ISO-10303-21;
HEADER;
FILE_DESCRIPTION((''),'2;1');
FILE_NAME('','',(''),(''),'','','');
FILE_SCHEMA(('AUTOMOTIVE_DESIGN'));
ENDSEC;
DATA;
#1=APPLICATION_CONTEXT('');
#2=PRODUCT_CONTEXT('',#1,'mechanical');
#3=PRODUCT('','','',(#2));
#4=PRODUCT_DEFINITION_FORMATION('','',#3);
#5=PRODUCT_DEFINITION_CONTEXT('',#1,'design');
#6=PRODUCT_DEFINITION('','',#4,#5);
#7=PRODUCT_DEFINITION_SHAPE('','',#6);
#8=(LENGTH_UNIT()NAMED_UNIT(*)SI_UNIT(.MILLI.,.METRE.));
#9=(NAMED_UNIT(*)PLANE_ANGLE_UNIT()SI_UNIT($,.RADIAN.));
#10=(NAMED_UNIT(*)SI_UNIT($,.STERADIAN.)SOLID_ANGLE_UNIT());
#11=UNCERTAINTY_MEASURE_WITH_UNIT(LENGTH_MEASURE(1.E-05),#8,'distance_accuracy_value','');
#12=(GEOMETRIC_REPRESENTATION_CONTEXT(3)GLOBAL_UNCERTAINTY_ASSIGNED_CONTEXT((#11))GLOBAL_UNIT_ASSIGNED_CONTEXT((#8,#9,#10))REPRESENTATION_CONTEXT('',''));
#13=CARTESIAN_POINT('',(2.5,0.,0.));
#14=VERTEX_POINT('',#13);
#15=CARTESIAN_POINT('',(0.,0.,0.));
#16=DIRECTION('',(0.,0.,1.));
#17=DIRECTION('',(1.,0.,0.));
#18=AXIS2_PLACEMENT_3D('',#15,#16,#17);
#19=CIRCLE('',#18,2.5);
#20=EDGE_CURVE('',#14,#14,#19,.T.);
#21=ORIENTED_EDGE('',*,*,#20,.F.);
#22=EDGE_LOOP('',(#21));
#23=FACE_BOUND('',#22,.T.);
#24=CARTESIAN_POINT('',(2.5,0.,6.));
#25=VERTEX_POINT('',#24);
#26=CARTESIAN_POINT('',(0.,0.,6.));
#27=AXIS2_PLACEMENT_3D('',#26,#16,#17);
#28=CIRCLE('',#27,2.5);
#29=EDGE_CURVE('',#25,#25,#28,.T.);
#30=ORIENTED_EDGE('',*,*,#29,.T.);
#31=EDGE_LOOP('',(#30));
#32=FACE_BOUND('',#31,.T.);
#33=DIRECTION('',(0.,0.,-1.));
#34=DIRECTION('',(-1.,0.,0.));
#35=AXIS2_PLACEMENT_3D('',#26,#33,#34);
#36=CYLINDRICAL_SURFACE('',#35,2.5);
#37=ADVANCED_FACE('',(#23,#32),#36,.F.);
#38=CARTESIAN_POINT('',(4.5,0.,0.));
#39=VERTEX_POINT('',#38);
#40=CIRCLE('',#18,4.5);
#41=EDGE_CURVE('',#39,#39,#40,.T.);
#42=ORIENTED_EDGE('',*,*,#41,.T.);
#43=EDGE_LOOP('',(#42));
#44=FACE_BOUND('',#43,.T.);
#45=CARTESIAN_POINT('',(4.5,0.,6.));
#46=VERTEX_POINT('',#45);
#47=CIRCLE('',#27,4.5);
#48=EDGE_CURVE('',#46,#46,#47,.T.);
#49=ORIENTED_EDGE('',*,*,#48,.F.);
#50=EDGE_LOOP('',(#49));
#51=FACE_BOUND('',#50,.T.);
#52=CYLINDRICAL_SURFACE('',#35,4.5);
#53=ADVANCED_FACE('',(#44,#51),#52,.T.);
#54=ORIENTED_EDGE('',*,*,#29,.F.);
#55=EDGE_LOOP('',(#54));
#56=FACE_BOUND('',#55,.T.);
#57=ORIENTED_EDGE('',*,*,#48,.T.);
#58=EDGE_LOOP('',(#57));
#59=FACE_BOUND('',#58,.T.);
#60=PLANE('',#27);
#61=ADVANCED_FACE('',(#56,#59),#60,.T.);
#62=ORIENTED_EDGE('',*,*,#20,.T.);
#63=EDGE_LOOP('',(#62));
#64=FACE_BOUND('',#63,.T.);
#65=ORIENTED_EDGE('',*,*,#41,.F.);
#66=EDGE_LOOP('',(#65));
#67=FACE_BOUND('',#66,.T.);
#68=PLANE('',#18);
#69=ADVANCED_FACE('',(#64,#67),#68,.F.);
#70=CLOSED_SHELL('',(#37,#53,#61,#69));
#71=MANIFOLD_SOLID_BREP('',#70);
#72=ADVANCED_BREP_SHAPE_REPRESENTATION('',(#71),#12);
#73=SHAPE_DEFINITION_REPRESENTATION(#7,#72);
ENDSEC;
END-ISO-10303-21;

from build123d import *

# Parameters (mm, degrees)
ESBO_O1_R                = 4.5
ESBO_O1_R_2              = 2.5
RESSALTO_EXTRUS_O1_DEPTH = 6


with BuildPart() as part:
    # Esboço1 → Ressalto-extrusão1 (new body)
    with BuildSketch(Plane.XY):
        Circle(ESBO_O1_R)
        Circle(ESBO_O1_R_2, mode=Mode.SUBTRACT)
    extrude(amount=RESSALTO_EXTRUS_O1_DEPTH)


solid = part.part
